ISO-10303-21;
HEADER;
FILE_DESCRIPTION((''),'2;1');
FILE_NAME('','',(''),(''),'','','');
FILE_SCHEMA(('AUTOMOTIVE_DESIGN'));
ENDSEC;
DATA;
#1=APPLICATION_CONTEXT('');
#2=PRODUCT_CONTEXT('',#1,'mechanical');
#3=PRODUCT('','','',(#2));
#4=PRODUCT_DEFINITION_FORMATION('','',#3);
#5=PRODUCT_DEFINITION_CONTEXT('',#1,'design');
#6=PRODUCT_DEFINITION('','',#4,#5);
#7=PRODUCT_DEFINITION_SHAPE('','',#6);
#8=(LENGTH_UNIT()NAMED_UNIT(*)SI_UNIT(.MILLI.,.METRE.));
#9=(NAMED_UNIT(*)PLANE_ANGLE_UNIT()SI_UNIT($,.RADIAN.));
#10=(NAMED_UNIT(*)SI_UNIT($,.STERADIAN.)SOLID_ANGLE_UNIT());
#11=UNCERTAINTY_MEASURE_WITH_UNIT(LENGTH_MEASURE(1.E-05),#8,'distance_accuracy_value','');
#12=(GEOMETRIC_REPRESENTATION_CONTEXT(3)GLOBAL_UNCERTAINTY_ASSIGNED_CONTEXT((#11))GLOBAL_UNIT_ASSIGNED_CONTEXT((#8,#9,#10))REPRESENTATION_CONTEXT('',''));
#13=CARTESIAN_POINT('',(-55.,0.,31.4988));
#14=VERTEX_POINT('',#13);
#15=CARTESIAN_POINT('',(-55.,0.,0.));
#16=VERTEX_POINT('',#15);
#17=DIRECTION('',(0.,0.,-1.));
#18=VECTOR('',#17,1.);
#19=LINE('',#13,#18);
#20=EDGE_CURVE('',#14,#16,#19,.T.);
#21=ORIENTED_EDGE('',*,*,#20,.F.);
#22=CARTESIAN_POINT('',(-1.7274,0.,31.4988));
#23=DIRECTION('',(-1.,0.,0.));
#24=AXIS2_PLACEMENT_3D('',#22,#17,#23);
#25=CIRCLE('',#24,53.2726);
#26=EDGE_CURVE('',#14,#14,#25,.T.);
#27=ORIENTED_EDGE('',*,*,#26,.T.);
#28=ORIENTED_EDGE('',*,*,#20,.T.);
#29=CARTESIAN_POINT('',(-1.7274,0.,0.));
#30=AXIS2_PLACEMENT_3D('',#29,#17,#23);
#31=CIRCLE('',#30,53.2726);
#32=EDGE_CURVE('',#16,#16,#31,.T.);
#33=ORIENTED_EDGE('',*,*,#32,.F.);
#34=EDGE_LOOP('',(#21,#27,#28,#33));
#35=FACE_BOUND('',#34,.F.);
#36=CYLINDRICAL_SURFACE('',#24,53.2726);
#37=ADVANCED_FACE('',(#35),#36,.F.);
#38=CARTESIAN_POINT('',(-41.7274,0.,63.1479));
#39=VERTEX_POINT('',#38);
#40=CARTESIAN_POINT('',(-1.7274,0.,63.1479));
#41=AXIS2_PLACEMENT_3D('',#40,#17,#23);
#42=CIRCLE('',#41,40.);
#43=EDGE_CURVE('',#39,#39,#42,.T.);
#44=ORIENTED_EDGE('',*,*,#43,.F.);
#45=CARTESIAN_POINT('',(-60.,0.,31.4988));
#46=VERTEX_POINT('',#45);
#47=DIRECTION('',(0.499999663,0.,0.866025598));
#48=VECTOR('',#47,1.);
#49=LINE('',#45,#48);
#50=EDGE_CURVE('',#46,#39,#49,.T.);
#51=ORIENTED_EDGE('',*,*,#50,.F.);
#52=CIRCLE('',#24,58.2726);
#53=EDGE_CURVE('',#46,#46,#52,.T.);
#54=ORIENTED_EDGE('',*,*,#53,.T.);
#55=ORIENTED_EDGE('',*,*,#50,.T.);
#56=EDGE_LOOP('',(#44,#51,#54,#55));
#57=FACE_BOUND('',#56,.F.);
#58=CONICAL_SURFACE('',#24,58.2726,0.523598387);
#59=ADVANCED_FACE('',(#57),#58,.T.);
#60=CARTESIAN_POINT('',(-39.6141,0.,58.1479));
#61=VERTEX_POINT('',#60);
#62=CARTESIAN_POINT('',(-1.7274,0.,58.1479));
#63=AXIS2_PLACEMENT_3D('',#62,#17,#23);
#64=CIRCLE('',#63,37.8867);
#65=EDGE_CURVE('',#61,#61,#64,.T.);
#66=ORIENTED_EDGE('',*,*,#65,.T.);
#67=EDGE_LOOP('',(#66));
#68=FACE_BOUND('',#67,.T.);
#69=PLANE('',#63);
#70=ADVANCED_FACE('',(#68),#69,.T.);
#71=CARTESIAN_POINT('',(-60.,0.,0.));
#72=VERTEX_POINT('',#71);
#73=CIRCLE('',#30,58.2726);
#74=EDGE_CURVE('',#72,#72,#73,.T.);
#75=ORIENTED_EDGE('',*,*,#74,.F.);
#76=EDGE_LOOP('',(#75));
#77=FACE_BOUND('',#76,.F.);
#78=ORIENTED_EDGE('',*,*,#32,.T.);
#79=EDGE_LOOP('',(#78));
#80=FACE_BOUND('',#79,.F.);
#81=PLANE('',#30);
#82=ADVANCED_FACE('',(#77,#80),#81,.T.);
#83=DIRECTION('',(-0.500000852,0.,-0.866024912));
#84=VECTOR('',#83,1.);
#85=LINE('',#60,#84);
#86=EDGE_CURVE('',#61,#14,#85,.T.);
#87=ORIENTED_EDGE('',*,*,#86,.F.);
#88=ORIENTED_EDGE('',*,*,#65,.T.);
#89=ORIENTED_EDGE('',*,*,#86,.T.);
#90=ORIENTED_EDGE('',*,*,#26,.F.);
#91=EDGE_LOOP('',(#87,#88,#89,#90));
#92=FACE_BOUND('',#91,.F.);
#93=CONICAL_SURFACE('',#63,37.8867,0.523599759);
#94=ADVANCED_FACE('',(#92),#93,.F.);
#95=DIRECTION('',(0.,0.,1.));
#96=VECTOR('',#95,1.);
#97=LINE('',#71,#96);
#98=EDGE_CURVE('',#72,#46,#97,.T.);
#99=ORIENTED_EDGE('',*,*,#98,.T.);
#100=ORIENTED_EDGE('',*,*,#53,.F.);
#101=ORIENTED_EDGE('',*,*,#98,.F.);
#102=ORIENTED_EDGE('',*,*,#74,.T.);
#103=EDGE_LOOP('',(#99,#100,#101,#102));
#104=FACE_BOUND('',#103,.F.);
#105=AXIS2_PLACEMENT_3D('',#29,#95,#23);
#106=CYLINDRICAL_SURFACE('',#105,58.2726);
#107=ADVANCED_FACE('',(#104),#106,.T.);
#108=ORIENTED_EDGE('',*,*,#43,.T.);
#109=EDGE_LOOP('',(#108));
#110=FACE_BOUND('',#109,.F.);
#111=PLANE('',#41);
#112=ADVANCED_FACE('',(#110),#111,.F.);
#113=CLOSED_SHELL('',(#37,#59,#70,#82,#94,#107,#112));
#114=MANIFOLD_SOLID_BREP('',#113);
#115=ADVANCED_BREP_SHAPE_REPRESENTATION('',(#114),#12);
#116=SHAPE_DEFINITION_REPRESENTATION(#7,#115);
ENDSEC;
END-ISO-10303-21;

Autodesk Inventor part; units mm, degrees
ref_plane "YZ Plane" through (0, 0, 0) normal (1, 0, 0) x (0, 1, 0)
ref_plane "XZ Plane" through (0, 0, 0) normal (0, 1, 0) x (-1, 0, 0)
ref_plane "XY Plane" through (0, 0, 0) normal (0, 0, 1) x (1, 0, 0)
sketch "Skizze2" plane through (0, 0, 0) normal (0, 1, 0) x (-1, 0, 0)
  line L0 (-60, -3) -> (60, -3) projected
  line L1 (60, 0) -> (60, -3)
  line L2 (-60, 0) -> (60, 0) projected
  line L3 (-60, 0) -> (-60, -3)
  line L4 (1.7274, 123.0345) -> (1.7274, -32.1262)
  line L5 (60, 0) -> (60, 31.4988)
  line L6 (60, 31.4988) -> (41.7274, 63.1479)
  line L7 (41.7274, 63.1479) -> (1.7274, 63.1479)
  line L8 (1.7274, 63.1479) -> (1.7274, 58.1479)
  line L9 (39.6141, 58.1479) -> (1.7274, 58.1479)
  line L10 (39.6141, 58.1479) -> (55, 31.4988)
  line L11 (55, 31.4988) -> (55, 0)
  line L12 (60, 0) -> (55, 0)
  point P0 (0, 0)
  dimension "d0" = 31.4988
  dimension "d1" = 150
  dimension "d2" = 40
  dimension "d4" = 31.6491
  dimension "d5" = 150
  dimension "d6" = 5
  dimension "d7" = 5
revolve "Umdrehung1" add sketch "Skizze2" angle 360 about axis through (-1.7274, 0, 123.0345) along (0, 0, -1) contours L2 L11 L10 L9 L4 L7 L6 L5
properties part number "GehaeuseteilB"
